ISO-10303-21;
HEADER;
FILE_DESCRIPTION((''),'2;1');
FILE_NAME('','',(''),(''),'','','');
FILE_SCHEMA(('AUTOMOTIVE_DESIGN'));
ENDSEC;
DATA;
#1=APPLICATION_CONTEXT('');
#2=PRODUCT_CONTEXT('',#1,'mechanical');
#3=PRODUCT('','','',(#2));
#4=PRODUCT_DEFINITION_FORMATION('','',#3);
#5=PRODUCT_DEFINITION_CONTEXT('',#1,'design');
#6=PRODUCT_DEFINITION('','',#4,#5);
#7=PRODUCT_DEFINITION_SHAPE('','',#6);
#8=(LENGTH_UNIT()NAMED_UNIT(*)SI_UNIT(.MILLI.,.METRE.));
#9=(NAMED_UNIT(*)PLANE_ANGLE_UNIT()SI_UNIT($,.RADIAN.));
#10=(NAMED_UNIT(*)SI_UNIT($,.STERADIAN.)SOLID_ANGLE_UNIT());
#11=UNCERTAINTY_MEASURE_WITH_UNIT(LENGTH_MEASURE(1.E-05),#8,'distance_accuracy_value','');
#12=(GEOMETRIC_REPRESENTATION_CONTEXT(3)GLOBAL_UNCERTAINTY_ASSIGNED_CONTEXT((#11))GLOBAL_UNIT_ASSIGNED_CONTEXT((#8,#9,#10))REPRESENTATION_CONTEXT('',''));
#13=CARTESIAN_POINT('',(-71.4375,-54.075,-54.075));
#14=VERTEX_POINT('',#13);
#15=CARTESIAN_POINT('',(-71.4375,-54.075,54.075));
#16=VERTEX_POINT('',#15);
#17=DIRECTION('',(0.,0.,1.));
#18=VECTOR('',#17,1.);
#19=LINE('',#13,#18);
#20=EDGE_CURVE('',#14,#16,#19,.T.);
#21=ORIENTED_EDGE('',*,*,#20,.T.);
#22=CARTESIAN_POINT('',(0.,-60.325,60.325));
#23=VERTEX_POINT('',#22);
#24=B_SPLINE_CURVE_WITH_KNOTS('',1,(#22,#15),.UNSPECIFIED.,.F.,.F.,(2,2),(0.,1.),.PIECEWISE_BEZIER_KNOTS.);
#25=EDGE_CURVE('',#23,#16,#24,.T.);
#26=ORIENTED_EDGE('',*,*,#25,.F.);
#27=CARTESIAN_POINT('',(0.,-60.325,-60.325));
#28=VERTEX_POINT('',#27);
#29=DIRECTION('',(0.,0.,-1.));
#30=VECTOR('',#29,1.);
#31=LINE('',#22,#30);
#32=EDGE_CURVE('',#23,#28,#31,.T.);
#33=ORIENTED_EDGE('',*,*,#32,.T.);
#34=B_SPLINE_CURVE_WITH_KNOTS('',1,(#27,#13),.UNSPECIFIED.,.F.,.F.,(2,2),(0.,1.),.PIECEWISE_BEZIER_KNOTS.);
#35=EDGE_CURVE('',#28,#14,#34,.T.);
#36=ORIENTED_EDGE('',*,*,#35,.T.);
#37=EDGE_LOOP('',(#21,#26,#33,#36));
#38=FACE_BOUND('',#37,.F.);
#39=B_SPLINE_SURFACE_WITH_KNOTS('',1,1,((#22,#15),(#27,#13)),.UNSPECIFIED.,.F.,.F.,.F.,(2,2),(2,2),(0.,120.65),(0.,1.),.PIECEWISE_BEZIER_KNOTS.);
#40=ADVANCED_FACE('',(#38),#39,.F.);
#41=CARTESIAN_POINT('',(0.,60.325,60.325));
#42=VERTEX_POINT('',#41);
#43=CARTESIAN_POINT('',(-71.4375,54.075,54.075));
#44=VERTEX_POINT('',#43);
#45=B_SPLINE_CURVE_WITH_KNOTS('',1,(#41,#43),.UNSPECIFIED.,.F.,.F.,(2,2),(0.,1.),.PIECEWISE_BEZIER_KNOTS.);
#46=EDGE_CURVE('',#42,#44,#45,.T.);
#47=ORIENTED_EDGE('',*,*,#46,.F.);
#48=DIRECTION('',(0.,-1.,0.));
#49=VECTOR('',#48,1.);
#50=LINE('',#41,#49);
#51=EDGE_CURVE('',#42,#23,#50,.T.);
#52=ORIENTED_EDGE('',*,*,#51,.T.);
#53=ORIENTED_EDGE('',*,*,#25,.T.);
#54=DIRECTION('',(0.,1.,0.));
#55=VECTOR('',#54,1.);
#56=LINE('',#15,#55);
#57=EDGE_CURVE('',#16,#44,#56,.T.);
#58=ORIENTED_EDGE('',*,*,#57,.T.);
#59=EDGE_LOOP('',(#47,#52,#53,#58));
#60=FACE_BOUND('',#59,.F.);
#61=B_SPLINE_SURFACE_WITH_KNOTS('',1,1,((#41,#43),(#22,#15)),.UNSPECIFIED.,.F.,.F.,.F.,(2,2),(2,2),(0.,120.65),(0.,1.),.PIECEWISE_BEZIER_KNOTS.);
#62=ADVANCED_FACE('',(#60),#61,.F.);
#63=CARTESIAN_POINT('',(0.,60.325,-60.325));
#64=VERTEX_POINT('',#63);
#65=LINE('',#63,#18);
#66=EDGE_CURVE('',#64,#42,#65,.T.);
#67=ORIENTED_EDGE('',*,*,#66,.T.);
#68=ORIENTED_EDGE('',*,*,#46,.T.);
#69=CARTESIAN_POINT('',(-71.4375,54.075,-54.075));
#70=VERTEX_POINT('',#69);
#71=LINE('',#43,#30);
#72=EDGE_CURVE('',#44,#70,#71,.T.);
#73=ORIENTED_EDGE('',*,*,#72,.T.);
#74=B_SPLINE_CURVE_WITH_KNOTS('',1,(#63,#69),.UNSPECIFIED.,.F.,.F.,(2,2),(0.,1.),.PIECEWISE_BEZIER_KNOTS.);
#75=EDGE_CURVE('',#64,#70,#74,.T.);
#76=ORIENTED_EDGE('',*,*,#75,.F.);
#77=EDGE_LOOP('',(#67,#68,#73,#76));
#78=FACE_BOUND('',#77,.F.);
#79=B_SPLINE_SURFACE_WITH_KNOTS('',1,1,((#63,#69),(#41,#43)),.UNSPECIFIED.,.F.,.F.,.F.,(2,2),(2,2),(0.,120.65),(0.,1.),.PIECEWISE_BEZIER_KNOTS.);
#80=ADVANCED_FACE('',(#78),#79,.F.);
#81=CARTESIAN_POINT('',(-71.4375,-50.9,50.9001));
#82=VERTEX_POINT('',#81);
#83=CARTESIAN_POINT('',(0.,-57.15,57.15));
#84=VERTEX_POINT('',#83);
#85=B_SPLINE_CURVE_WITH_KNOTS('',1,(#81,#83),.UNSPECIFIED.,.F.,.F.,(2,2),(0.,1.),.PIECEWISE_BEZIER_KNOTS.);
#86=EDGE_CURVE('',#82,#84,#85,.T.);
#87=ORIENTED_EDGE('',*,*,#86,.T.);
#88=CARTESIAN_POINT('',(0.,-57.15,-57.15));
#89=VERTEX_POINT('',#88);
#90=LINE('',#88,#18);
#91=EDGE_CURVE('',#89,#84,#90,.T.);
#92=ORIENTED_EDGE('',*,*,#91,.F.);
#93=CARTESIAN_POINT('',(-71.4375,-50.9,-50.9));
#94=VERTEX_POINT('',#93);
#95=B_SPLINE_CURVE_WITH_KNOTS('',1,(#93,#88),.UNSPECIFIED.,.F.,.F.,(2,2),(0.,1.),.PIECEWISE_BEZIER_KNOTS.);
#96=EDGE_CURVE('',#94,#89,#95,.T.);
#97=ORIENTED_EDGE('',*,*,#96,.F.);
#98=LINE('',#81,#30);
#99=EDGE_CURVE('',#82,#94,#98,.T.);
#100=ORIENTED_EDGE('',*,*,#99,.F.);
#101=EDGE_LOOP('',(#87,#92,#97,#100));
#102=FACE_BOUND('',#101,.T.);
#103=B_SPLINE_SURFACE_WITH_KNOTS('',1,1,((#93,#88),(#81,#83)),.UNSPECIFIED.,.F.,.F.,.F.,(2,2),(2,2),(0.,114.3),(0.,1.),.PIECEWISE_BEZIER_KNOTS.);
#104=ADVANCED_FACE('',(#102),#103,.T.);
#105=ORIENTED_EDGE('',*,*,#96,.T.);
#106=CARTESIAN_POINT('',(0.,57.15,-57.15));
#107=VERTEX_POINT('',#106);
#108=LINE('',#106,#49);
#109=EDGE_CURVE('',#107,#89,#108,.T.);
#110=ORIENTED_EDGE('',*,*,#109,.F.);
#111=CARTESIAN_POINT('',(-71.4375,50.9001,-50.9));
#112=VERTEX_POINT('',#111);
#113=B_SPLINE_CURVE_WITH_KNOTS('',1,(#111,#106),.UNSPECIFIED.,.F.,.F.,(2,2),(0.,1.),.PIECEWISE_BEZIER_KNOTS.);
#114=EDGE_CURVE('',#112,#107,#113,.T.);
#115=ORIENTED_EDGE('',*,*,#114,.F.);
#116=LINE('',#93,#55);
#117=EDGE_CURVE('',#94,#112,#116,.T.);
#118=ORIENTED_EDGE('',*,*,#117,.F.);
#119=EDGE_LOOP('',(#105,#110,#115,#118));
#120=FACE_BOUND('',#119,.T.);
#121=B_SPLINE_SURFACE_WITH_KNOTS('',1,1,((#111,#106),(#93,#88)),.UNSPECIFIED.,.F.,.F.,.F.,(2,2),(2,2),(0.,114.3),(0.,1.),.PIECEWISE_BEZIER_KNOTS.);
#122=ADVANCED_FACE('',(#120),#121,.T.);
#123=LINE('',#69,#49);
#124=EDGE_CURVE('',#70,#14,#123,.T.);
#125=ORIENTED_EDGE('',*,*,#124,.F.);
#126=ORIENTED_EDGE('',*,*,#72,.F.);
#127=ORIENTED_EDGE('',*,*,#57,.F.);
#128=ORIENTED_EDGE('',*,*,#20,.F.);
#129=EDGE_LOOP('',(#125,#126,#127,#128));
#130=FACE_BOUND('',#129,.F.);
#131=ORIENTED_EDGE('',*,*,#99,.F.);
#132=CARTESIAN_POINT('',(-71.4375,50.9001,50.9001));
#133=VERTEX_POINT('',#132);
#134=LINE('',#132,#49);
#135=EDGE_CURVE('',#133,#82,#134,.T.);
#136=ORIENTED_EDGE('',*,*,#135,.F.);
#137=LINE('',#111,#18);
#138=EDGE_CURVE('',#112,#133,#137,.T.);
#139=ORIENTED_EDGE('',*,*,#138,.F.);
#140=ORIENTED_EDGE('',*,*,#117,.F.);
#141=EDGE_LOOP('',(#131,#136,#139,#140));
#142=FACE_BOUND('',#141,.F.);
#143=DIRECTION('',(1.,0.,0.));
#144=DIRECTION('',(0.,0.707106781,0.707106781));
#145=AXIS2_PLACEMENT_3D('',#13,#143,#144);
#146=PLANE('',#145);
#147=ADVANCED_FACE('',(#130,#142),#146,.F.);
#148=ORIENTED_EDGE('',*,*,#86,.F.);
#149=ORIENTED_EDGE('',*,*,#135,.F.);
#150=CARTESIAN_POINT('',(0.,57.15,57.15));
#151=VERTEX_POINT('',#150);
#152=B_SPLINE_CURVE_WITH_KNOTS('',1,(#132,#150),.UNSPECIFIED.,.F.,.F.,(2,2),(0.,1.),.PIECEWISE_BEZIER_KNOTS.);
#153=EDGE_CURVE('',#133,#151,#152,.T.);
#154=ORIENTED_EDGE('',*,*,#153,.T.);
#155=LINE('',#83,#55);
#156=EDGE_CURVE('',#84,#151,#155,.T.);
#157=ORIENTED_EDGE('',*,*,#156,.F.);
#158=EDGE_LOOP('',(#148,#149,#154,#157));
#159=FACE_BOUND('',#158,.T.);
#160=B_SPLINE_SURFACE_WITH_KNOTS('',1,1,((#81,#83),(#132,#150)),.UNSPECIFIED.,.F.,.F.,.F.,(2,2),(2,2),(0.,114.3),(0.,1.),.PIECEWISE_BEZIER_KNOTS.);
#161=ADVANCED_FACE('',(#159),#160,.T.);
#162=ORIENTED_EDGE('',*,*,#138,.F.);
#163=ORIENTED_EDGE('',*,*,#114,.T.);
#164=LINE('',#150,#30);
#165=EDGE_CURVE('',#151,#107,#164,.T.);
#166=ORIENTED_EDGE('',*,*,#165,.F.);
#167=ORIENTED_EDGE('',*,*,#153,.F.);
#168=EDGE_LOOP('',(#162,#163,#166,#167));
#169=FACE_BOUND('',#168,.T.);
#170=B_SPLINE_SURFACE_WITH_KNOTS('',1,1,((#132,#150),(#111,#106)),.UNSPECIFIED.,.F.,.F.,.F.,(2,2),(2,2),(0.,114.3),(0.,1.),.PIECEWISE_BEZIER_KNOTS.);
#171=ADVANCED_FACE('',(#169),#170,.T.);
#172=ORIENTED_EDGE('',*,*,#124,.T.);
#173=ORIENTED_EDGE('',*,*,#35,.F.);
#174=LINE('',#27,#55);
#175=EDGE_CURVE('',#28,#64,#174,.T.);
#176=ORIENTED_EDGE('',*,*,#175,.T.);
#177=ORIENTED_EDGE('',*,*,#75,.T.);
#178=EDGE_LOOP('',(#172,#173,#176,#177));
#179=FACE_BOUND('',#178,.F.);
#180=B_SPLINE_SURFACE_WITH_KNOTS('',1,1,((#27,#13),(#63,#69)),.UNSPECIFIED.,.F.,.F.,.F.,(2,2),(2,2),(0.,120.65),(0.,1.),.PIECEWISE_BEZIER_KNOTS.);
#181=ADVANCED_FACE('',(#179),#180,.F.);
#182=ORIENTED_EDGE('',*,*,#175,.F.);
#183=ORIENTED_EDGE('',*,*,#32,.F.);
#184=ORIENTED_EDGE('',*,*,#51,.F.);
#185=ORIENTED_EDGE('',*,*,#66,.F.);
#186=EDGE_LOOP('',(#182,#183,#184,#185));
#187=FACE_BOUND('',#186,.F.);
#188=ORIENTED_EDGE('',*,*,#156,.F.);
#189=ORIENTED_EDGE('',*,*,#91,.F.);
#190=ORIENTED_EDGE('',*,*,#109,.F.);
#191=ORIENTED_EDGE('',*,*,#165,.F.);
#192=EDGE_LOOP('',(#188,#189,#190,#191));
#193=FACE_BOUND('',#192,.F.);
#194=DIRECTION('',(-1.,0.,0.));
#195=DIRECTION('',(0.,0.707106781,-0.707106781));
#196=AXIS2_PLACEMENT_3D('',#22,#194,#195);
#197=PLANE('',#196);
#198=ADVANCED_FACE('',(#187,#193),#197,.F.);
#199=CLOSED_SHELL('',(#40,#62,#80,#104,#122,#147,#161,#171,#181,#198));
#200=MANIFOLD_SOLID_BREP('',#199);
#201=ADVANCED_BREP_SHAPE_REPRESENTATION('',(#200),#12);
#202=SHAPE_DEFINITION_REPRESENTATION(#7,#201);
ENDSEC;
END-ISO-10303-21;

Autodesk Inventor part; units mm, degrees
ref_plane "XZ Plane" through (0, 0, 0) normal (0, 1, 0) x (-1, 0, 0)
ref_plane "XY Plane" through (0, 0, 0) normal (0, 0, 1) x (1, 0, 0)
sketch "Sketch5" plane through (0, 0, 0) normal (1, 0, 0) x (0, 1, 0)
  line L0 (-60.325, -60.325) -> (60.325, -60.325)
  line L1 (60.325, -60.325) -> (60.325, 60.325)
  line L2 (60.325, 60.325) -> (-60.325, 60.325)
  line L3 (-60.325, 60.325) -> (-60.325, -60.325)
  line L4 (-60.325, -60.325) -> (60.325, 60.325) construction
  line L5 (60.325, -60.325) -> (-60.325, 60.325) construction
  line L6 (-57.15, -57.15) -> (57.15, -57.15)
  line L7 (57.15, -57.15) -> (57.15, 57.15)
  line L8 (57.15, 57.15) -> (-57.15, 57.15)
  line L9 (-57.15, 57.15) -> (-57.15, -57.15)
  line L10 (-57.15, -57.15) -> (57.15, 57.15) construction
  line L11 (57.15, -57.15) -> (-57.15, 57.15) construction
  point P0 (0, 0)
  dimension "d15" = 120.65
  dimension "d16" = 120.65
  dimension "d17" = 114.3
  dimension "d18" = 114.3
ref_plane "Work Plane1" through (-71.4375, 0, 0) normal (1, 0, 0) x (0, 1, 0)
sketch "Sketch16" plane through (0, 0, 0) normal (0, 1, 0) x (-1, 0, 0)
  line L0 (0, 57.15) -> (71.4375, 50.9)
  line L1 (71.4375, 50.9) -> (71.4375, 57.15)
  line L2 (71.4375, 57.15) -> (0, 57.15)
  point P0 (0, 0)
  point P1 (0, 57.15)
  dimension "d41" = 5
  dimension "d42" = 71.4375
sketch "Sketch17" plane through (-71.4375, 0, 0) normal (1, 0, 0) x (0, 1, 0)
  line L0 (-50.9, -50.9) -> (50.9, -50.9)
  line L1 (50.9, -50.9) -> (50.9, 50.9)
  line L2 (50.9, 50.9) -> (-50.9, 50.9)
  line L3 (-50.9, 50.9) -> (-50.9, -50.9)
  line L4 (-50.9, -50.9) -> (50.9, 50.9) construction
  line L5 (50.9, -50.9) -> (-50.9, 50.9) construction
  line L6 (-54.075, 54.075) -> (54.075, 54.075)
  line L7 (54.075, 54.075) -> (54.075, -54.075)
  line L8 (54.075, -54.075) -> (-54.075, -54.075)
  line L9 (-54.075, -54.075) -> (-54.075, 54.075)
  point P0 (0, 0)
  point P1 (0, 50.9)
  dimension "d44" = 3.175
loft "Loft3" add profiles "Sketch5", "Sketch17" contours L3 L2 L1 L0 | L9 L8 L7 L6 / L3 L2 L1 L0 | L6 L7 L8 L9
sketch "Sketch18" plane through (0, -60.325, -60.325) normal (1, 0, 0) x (0, 0, -1)
  line L0 (0, 0) -> (0, 120.65) projected
  line L1 (0, 120.65) -> (-120.65, 120.65) projected
  line L2 (-120.65, 120.65) -> (-120.65, 0) projected
  line L3 (-120.65, 0) -> (0, 0) projected
  line L4 (-117.475, 3.175) -> (-117.475, 117.475)
  line L5 (-117.475, 117.475) -> (-3.175, 117.475)
  line L6 (-3.175, 117.475) -> (-3.175, 3.175)
  line L7 (-3.175, 3.175) -> (-117.475, 3.175)
  point P0 (-60.325, 60.325)
  dimension "d49" = 3.175
sketch "Sketch19" plane through (-71.4375, -54.075, -54.075) normal (-1, 0, 0) x (0, 0, 1)
  line L0 (0, 0) -> (0, 108.1501) projected
  line L1 (108.1501, 0) -> (0, 0) projected
  line L2 (108.1501, 108.1501) -> (108.1501, 0) projected
  line L3 (0, 108.1501) -> (108.1501, 108.1501) projected
  line L4 (104.9751, 3.175) -> (3.175, 3.175)
  line L5 (3.175, 3.175) -> (3.175, 104.9751)
  line L6 (3.175, 104.9751) -> (104.9751, 104.9751)
  line L7 (104.9751, 104.9751) -> (104.9751, 3.175)
  point P0 (54.075, 54.075)
  dimension "d50" = 3.175
loft "Loft4" cut profiles "Sketch19", "Sketch18" contours L4 L5 L6 L7 / L4 L5 L6 L7
equation "\"d15\" = width - internalAcrylicThickness"
equation "\"d16\" = height - internalAcrylicThicnkess"
equation "\"d17\" = -2 * mirrorThickness + width - internalAcrylicThickness"
equation "\"d18\" = -internalAcrylicThicnkess + height - 2 * mirrorThickness"
equation "\"d41\" = mirrorAngle"
equation "\"d44\" = mirrorThickness"
equation "\"d49\" = mirrorThickness"
equation "\"d50\" = mirrorThickness"
equation "\"width\" = 127"
equation "\"depth\" = 254"
equation "\"mirrorAngle\" = 5deg"
equation "\"mirrorThickness\" = 3.175"
equation "\"fresnelThickness\" = 0.1"
equation "\"centerThickness\" = 1.524"
equation "\"acrylicThickness\" = 6.35"
equation "\"height\" = 127"
equation "\"detectorWidth\" = 52"
equation "\"detectorHeight\" = 52"
equation "\"focalLength\" = 76.2"
equation "\"ior\" = 1.49"
equation "\"fresnelAngle\" = 90deg"
equation "\"fresnelEffectiveDiameter\" = 76.2"
equation "\"mirrorSuppourtWidth\" = 38.1"
equation "\"backGrooveBit\" = 4.8006"
equation "\"sensorHolderWidth\" = 88.9"
equation "\"sensorHolderHeight\" = 88.9"
equation "\"sensorHolderSensorHeight\" = 53.975"
equation "\"sensorHolderSensorWidth\" = 53.975"
equation "\"oRingWidth\" = 1.5875"
equation "\"sensorHolderORingID\" = 203.2"
equation "\"sensorHolderFlushORingID\" = 304.8"
equation "\"frontBackORingID\" = 419.1"
equation "\"mirrorGroove\" = 19.05"
equation "\"backMirrorGroove\" = 6.35"
equation "\"fresnelMirrorChamfer\" = 6.35"
equation "\"mirrorGrooveMill\" = 3.175"
equation "\"detectorOpeningWidth\" = 76.2"
equation "\"detectorOpeningHeight\" = 76.2"
equation "\"sensorHolderDepth\" = 19.05"
equation "\"frameAcrylicThickness\" = 9.525"
equation "\"internalAcrylicThicnkess\" = 6.35"
equation "\"internalAcrylicThickness\" = 6.35"
equation "\"aerogelClearence\" = 3.175"
equation "\"backplanePCBHeight\" = 76.2"
equation "\"backplaneHoleOffsett\" = 6.35"
equation "\"backplanePCBWidth\" = 76.2"
equation "\"backplanePostionOffsett\" = 12.7"
equation "\"moduleSlotClearence\" = 0.79375"
properties part number "mirrorTopBottom" material "Glass"
